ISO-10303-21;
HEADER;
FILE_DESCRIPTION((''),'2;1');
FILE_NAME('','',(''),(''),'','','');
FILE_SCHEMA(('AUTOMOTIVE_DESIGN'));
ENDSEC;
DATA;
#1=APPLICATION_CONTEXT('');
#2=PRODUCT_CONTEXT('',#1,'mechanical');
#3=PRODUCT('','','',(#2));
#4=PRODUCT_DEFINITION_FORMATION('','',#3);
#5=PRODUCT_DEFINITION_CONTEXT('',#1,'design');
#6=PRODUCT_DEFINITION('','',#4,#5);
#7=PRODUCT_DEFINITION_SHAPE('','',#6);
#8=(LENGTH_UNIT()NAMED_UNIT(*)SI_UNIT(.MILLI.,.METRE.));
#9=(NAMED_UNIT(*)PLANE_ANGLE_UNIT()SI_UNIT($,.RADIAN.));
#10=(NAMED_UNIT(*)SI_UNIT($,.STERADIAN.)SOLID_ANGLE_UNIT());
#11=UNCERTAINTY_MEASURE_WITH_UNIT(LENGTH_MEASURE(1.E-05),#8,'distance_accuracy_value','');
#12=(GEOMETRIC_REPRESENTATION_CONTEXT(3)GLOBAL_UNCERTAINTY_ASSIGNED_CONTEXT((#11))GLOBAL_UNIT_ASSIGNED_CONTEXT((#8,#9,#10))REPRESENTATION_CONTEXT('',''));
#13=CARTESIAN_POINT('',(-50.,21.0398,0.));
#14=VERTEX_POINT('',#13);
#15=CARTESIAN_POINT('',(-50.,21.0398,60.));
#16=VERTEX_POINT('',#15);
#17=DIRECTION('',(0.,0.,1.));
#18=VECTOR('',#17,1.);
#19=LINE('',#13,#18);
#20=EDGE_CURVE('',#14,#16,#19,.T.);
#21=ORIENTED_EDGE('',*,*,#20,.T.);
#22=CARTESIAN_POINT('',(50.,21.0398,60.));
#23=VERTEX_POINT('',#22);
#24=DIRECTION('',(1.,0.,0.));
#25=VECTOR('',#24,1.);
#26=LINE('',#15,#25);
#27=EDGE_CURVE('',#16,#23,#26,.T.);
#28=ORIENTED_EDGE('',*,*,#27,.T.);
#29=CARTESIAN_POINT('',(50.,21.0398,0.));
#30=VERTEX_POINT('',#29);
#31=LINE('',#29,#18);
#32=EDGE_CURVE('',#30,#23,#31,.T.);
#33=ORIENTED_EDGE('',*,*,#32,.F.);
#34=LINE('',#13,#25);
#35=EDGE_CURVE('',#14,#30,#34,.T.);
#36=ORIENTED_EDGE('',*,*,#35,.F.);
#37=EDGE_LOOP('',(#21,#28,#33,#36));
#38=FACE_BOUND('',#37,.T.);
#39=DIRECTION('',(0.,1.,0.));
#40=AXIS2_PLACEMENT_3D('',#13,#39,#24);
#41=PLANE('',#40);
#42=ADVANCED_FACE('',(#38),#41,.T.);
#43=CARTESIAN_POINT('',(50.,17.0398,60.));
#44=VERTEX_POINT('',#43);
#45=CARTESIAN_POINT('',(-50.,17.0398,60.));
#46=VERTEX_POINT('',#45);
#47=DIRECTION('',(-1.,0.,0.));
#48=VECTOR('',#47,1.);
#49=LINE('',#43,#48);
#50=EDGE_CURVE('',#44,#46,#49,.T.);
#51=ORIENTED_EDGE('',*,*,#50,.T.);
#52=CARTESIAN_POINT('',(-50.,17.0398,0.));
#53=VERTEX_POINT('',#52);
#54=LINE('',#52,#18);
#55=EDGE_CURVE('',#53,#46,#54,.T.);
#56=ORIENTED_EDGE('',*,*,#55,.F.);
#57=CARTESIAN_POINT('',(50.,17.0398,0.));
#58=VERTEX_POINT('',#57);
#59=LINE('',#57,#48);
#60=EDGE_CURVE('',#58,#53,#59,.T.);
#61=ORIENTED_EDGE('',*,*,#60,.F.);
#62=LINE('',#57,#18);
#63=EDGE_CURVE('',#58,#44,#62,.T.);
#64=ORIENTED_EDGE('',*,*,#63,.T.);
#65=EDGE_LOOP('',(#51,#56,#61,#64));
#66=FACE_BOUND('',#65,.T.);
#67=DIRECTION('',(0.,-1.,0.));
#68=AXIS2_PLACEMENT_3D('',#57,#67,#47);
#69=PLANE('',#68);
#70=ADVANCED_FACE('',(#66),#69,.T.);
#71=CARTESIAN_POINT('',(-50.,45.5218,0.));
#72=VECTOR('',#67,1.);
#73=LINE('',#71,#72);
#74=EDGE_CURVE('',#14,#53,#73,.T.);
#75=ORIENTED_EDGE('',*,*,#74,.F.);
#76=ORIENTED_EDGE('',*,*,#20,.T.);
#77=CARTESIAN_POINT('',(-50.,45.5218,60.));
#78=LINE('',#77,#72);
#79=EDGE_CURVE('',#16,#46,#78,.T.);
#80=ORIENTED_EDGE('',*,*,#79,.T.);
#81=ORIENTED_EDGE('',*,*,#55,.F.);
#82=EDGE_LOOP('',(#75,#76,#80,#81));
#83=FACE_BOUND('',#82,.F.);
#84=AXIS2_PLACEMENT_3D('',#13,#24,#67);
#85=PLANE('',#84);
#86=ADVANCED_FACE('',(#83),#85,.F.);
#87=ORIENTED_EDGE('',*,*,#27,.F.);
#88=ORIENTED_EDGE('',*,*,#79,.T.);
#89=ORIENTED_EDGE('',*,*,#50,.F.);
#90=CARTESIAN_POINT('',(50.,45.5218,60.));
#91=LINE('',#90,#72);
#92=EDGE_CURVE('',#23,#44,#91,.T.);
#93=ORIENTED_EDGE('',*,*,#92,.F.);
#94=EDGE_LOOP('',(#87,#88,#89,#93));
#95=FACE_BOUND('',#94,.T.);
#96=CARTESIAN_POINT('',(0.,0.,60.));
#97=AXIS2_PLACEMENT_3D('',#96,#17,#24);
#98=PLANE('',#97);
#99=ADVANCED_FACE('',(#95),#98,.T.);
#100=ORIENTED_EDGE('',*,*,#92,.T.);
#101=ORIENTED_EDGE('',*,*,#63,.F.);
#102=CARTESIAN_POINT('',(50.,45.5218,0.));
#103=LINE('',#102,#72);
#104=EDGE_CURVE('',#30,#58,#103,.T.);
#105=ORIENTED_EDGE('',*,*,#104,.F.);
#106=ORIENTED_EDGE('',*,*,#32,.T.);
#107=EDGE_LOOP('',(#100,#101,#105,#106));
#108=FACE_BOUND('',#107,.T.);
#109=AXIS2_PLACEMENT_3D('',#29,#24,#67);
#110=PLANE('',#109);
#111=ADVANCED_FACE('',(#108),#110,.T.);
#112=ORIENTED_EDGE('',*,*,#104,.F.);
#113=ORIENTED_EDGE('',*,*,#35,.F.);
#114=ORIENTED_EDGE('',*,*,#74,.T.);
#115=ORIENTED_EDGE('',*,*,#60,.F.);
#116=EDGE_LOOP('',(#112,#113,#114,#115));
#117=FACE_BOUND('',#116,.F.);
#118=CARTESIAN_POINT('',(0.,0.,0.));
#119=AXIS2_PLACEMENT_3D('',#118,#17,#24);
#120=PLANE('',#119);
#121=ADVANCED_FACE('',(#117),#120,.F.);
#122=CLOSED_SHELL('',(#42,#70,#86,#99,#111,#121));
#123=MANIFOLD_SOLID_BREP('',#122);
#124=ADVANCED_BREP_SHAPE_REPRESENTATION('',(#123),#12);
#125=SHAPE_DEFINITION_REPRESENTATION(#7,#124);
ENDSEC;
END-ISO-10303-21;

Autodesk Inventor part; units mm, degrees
ref_plane "YZ Plane" through (0, 0, 0) normal (1, 0, 0) x (0, 1, 0)
ref_plane "XZ Plane" through (0, 0, 0) normal (0, 1, 0) x (-1, 0, 0)
ref_plane "XY Plane" through (0, 0, 0) normal (0, 0, 1) x (1, 0, 0)
sketch "Sketch1" plane through (0, 0, 0) normal (0, 0, 1) x (1, 0, 0)
  line L0 (-28.3248, 29.8117) -> (-13.1338, 22.5867)
  arc A0 (-13.1338, 22.5867) -> (-7.5529, 27.2374) centre (-11.4158, 26.1989) ccw
  arc A1 (7.5529, 27.2374) -> (13.1338, 22.5867) centre (11.4158, 26.1989) ccw
  line L1 (13.1338, 22.5867) -> (28.3248, 29.8117)
  circle A2 centre (-11.4158, 26.1989) radius 1.6
  circle A3 centre (20.9961, 37.6953) radius 1.6
  circle A4 centre (-20.9961, 37.6953) radius 1.6
  circle A5 centre (11.4158, 26.1989) radius 1.6
  line L2 (50, 45.5218) -> (11.4158, 45.5218)
  line L3 (11.4158, 45.5218) -> (11.4158, 48.5218)
  line L4 (11.4158, 48.5218) -> (-11.4158, 48.5218)
  line L5 (-11.4158, 48.5218) -> (-11.4158, 45.5218)
  line L6 (-11.4158, 45.5218) -> (-50, 45.5218)
  line L7 (-50, 45.5218) -> (-50, -40)
  line L8 (-50, -40) -> (50, -40)
  line L9 (50, 45.5218) -> (50, -40)
  line L10 (-50, 21.0398) -> (50, 21.0398)
  line L11 (-50, 21.0398) -> (50, 21.0398)
  line L12 (50, 21.0398) -> (50, 17.0398)
  line L13 (50, 17.0398) -> (-50, 17.0398)
  line L14 (-50, 17.0398) -> (-50, 21.0398)
  ellipse E0 centre (-80.335, 109.4905) end of major axis (-69.5799, 118.453) minor radius 2.0831
  ellipse E1 centre (80.9138, 109.0081) end of major axis (91.6689, 100.0455) minor radius 2.0831
  point P0 (0, 0)
  point P1 (-50, 17.0398)
extrude "Extrusion1" add sketch "Sketch1" along normal blind 60 contours L9 L13 L7 L10
sketch "Sketch2" plane through (-50, 21.0398, 0) normal (0, 1, 0) x (1, 0, 0)
  line L0 (100, 0) -> (0, 0) projected
  line L1 (0, 0) -> (0, -60) projected
  line L2 (100, -60) -> (0, -60) projected
  line L3 (100, 0) -> (100, -60) projected
  ellipse E0 centre (103.0593, -17.711) end of major axis (100.5424, -28.4192) minor radius 8.3564 projected
  line L4 (74.521, -31.0293) -> (129.597, -43.9743) projected
  line L5 (74.521, -31.0293) -> (75.4379, -21.5102) projected
  line L6 (25.4921, -31.1653) -> (-29.5839, -44.1102) projected
  line L7 (22.9377, -28.1696) -> (-27.3904, -39.9986) projected
  line L8 (24.5621, -21.5102) -> (25.4921, -31.1653) projected
  ellipse E1 centre (79.9812, -12.3391) end of major axis (77.0068, -24.9943) minor radius 9.8757 (81.4774, -24.7198) -> (76.0998, -24.7198) ccw projected
  ellipse E2 centre (20.0188, -12.3391) end of major axis (22.9932, -24.9943) minor radius 9.8757 (23.9002, -24.7198) -> (18.5226, -24.7198) ccw projected
  ellipse E3 centre (66.6015, -11) end of major axis (66.6015, -15) minor radius 2.5607 (64.0407, -11) -> (69.1622, -11) ccw projected
  ellipse E4 centre (33.3985, -11) end of major axis (33.3985, -7) minor radius 2.5607 (30.8378, -11) -> (35.9593, -11) ccw projected
  line L9 (42.4471, -5) -> (38.0799, -5) projected
  line L10 (64.0407, -5) -> (64.0407, -11) projected
  line L11 (35.9593, -5) -> (35.9593, -11) projected
  point P0 (50, 0)
  point P1 (61.9201, -5)
